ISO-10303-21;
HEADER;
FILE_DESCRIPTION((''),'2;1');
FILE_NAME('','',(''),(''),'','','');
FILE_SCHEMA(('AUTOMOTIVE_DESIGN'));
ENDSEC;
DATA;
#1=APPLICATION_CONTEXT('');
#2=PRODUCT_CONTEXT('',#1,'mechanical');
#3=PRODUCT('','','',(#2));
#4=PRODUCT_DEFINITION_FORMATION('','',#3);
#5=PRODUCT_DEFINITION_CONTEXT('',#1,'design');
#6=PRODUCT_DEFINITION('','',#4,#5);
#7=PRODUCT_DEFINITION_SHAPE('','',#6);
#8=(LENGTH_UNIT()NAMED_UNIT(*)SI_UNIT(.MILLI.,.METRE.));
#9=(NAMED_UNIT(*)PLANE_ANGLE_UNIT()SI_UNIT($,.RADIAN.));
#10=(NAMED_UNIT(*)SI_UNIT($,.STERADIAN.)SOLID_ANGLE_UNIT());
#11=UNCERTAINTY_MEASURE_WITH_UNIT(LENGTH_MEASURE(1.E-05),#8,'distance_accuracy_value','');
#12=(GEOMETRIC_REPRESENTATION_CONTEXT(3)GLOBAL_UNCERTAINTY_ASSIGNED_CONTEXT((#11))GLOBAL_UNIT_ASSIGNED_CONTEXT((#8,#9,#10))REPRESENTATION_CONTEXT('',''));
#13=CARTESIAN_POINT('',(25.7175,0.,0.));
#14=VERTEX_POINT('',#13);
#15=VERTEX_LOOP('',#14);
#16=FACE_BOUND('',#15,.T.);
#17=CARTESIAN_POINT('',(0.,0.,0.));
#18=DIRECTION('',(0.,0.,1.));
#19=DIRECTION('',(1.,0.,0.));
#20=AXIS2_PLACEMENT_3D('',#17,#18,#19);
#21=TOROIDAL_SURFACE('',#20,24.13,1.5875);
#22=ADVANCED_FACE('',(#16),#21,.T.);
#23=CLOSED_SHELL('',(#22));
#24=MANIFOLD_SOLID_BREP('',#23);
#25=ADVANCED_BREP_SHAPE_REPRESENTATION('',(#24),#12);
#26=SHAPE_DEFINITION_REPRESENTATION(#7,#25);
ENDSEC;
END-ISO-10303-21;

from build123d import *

# Parameters (mm, degrees)
SKETCH3_R = 1.5875


with BuildPart() as part:
    # Sketch3 → Revolve1 (revolve)
    with BuildSketch(Plane(origin=(0, 0, 0), x_dir=(1, 0, 0), z_dir=(0, 1, 0))):
        with Locations((24.13, 0)):
            Circle(SKETCH3_R)
    revolve(axis=Axis((0, 0, 0), (0, 0, -1)))


solid = part.part
